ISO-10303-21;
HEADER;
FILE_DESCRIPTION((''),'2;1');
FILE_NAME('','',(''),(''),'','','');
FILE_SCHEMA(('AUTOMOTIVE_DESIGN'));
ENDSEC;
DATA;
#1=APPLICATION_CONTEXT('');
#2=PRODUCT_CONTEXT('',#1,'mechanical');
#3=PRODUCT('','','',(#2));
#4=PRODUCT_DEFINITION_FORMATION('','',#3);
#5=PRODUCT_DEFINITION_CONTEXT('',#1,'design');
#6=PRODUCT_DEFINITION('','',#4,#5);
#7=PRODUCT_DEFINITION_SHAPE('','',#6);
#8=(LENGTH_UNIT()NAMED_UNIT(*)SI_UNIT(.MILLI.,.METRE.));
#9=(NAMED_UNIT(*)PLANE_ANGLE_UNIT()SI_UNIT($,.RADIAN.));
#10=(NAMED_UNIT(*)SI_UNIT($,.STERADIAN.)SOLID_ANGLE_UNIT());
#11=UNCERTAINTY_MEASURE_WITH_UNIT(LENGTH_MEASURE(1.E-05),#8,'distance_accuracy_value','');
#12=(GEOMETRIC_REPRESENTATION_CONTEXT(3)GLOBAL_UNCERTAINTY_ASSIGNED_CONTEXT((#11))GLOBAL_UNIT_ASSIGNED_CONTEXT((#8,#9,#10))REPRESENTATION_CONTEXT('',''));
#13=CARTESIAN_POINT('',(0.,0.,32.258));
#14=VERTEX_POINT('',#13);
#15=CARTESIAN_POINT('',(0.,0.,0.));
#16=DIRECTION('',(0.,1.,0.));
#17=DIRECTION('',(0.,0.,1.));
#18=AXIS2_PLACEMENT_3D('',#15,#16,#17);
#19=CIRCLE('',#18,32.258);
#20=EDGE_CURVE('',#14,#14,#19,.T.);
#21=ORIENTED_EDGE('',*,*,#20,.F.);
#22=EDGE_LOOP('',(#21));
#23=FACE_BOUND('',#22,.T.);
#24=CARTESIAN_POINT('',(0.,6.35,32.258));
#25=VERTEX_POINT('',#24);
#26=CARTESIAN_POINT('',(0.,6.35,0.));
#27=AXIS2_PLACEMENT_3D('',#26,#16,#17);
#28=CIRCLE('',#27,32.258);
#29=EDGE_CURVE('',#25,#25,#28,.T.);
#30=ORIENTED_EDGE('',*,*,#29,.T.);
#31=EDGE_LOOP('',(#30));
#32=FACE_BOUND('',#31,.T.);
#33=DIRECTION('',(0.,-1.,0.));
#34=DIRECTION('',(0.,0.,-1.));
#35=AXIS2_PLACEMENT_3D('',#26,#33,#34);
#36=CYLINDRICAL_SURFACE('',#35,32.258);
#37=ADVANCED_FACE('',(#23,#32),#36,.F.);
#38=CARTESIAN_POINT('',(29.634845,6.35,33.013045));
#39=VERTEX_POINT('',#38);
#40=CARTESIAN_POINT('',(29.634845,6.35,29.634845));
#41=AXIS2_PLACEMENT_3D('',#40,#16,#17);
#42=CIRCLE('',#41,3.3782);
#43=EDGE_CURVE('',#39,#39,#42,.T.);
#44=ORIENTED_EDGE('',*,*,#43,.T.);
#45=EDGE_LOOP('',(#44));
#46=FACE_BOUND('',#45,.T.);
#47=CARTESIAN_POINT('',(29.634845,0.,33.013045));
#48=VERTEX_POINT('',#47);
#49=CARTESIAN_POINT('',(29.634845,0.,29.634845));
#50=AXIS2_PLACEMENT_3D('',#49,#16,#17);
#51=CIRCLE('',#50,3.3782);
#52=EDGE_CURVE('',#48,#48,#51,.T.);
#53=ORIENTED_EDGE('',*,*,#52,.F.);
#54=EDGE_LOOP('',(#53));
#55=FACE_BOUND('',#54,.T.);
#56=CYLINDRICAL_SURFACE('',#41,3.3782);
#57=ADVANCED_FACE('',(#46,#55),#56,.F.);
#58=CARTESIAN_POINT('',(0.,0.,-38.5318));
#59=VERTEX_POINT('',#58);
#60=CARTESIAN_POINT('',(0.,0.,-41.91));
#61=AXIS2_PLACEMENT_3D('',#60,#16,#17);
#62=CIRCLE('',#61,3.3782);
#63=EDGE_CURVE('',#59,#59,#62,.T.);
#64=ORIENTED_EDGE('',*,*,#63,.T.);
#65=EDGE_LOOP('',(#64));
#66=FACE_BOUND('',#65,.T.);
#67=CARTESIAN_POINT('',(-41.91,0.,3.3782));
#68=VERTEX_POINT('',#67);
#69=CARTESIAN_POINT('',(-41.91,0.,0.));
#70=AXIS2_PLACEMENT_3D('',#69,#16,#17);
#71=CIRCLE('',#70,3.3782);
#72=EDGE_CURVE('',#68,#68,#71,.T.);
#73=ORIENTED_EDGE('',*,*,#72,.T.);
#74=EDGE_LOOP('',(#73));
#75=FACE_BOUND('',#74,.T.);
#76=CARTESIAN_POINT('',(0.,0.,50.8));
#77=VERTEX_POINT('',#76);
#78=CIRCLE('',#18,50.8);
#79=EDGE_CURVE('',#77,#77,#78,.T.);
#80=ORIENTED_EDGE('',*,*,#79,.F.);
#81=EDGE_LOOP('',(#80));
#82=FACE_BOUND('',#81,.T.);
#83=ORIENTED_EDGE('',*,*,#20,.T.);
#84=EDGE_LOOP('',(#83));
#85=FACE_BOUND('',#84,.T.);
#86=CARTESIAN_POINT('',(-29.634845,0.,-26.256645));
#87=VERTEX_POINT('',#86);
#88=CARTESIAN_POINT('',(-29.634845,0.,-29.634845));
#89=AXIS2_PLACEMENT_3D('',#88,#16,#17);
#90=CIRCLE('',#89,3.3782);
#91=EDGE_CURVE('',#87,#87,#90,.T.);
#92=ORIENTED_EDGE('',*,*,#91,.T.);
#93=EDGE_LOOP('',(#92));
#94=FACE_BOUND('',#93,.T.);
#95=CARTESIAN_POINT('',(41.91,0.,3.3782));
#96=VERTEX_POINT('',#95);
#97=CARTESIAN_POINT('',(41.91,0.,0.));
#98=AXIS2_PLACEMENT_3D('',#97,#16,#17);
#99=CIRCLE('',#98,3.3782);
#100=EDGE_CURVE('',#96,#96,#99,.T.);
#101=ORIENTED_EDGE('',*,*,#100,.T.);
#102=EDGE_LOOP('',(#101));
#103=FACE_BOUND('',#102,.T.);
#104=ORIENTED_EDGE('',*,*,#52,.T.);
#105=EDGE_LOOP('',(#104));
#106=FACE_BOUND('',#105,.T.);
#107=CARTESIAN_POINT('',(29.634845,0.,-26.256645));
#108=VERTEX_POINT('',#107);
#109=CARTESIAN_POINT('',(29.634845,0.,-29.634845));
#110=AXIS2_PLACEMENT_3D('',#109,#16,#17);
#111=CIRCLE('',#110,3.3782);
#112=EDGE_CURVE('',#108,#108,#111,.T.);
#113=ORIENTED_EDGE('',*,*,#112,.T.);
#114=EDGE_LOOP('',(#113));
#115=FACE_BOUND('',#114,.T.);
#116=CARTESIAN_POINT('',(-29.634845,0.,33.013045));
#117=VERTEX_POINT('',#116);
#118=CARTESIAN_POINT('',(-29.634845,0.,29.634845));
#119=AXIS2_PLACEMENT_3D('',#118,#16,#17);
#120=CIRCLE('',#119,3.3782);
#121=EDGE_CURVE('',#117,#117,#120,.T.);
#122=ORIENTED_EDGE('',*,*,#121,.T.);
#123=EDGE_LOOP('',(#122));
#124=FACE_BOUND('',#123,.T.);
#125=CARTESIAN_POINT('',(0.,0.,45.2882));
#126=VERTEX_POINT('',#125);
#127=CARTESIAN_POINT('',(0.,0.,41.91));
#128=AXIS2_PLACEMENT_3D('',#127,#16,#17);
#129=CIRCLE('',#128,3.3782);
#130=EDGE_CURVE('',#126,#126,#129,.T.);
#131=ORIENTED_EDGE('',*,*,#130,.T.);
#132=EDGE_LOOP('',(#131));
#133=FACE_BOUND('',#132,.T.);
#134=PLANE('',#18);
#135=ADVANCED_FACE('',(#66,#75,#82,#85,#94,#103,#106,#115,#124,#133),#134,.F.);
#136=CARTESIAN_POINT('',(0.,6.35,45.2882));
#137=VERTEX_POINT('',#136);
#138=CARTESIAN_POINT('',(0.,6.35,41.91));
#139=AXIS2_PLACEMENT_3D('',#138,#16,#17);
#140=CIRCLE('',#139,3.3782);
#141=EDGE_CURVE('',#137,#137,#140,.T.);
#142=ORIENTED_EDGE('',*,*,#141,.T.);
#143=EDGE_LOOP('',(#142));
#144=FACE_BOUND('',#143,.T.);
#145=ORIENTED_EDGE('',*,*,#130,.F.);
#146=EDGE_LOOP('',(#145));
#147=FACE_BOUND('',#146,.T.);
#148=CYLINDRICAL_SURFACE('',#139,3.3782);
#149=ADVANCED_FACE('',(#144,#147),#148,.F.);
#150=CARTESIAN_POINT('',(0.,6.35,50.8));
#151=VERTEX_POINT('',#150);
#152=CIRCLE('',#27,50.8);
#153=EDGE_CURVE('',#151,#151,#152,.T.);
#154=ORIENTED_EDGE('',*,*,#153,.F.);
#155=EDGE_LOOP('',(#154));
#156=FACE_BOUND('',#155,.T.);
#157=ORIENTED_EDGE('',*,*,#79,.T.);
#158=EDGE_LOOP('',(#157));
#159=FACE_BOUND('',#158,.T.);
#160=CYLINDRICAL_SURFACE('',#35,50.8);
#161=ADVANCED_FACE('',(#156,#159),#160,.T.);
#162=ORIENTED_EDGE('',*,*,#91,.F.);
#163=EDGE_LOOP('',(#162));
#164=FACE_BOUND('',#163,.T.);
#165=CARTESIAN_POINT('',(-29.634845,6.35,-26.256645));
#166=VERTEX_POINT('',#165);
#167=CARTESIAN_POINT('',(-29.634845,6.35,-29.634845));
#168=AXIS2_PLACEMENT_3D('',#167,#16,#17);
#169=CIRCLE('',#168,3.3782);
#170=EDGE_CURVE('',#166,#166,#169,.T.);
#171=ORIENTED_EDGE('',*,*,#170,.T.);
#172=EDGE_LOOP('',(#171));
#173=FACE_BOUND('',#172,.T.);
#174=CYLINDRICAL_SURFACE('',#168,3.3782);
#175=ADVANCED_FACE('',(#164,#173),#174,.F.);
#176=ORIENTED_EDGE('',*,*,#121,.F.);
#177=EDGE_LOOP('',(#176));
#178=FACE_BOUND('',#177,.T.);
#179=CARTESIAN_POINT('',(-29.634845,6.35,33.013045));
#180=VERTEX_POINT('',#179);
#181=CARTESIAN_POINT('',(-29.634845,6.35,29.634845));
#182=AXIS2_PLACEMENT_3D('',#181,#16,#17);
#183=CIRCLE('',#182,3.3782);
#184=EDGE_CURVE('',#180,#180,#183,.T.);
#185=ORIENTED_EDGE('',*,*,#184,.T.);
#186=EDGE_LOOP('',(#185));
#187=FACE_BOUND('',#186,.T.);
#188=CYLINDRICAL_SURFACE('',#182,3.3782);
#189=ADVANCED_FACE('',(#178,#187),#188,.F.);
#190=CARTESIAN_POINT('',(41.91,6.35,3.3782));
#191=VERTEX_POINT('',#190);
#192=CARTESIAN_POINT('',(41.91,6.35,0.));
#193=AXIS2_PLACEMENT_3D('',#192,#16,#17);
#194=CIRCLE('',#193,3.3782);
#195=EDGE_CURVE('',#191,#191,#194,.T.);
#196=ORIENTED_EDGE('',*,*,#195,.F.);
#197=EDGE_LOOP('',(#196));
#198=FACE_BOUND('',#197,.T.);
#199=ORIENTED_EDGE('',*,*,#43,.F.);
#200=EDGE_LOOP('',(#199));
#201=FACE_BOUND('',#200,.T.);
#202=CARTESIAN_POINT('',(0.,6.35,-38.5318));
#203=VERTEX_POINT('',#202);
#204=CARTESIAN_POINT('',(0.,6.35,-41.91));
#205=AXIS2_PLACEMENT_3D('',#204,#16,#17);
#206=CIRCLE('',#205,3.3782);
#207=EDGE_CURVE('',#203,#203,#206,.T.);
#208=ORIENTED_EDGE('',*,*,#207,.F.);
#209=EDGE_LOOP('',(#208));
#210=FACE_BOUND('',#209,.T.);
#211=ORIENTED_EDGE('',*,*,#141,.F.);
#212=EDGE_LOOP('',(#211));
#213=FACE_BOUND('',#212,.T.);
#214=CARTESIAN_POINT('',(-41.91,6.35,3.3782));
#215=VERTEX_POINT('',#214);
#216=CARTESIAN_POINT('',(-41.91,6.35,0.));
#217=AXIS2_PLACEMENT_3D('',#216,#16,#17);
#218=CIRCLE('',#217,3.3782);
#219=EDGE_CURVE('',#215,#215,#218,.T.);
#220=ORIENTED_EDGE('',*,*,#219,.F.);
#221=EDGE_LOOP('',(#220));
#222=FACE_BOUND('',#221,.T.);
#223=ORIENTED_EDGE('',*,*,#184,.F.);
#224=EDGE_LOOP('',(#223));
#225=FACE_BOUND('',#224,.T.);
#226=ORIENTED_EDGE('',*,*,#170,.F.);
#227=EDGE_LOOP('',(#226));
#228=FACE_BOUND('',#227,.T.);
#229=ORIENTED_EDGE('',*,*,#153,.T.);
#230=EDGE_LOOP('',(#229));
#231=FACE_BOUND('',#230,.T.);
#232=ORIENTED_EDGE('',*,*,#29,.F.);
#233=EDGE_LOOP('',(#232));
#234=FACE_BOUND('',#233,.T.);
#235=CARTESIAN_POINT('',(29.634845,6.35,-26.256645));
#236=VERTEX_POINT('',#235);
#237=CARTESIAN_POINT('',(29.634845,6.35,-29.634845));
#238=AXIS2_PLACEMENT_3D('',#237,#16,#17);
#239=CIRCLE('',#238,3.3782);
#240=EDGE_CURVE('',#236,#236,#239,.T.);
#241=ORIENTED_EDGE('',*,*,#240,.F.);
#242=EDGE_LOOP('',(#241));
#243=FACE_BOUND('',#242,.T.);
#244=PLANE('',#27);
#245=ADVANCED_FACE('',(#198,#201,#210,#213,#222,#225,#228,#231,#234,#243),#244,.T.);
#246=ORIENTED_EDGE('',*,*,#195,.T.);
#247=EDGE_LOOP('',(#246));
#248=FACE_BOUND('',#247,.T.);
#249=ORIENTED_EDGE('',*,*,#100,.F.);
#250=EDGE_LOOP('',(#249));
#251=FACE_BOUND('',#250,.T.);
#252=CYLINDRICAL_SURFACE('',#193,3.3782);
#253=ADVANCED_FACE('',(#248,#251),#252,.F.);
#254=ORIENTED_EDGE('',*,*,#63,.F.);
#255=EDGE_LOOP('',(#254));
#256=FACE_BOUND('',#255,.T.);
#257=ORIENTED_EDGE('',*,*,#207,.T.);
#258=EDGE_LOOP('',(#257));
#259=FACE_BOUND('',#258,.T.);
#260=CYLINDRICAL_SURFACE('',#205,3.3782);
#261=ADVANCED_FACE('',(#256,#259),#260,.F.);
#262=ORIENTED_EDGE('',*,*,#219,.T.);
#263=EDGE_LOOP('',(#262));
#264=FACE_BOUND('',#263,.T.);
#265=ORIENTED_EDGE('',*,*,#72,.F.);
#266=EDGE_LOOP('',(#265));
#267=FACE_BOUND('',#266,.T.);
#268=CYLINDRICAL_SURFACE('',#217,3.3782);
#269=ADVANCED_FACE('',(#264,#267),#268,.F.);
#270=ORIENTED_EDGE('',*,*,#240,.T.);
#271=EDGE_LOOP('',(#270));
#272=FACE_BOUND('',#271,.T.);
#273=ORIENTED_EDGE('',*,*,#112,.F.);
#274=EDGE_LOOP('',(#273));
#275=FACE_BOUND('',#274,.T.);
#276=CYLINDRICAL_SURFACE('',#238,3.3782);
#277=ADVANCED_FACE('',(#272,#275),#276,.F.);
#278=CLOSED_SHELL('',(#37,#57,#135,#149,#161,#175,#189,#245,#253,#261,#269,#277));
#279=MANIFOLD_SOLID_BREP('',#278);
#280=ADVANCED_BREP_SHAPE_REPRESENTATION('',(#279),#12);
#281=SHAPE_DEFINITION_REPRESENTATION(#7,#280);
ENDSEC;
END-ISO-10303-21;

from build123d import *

# Parameters (mm, degrees)
SKETCH1_R               = 50.8
SKETCH1_R_2             = 32.258
BOSS_EXTRUDE1_DEPTH     = 6.35
F_1_4_CLEARANCE_HOLE1_D = 6.7564
CIRPATTERN1_COUNT       = 8


with BuildPart() as part:
    # Sketch1 → Boss-Extrude1 (new body)
    with BuildSketch(Plane(origin=(0, 0, 0), x_dir=(1, 0, 0), z_dir=(0, 1, 0))):
        with Locations(Location((0, 0, 0), (0, 0, 270))):
            Circle(SKETCH1_R)
        with Locations(Location((0, 0, 0), (0, 0, 270))):
            Circle(SKETCH1_R_2, mode=Mode.SUBTRACT)
    extrude(amount=BOSS_EXTRUDE1_DEPTH)

    # 1/4 Clearance Hole1 (through all)
    with Locations(Plane(origin=(0, 6.35, 0), x_dir=(1, 0, 0), z_dir=(0, 1, 0))):
        with Locations((0, 41.91)):
            f_1_4_clearance_hole1 = Hole(F_1_4_CLEARANCE_HOLE1_D / 2)

    # CirPattern1: 1/4 Clearance Hole1 ×8 about axis
    cirpattern1_axis = Axis((0, 0, 0), (0, 1, 0))
    for i in range(1, CIRPATTERN1_COUNT):
        add(f_1_4_clearance_hole1.rotate(cirpattern1_axis, i * 360 / CIRPATTERN1_COUNT), mode=Mode.SUBTRACT)


solid = part.part
